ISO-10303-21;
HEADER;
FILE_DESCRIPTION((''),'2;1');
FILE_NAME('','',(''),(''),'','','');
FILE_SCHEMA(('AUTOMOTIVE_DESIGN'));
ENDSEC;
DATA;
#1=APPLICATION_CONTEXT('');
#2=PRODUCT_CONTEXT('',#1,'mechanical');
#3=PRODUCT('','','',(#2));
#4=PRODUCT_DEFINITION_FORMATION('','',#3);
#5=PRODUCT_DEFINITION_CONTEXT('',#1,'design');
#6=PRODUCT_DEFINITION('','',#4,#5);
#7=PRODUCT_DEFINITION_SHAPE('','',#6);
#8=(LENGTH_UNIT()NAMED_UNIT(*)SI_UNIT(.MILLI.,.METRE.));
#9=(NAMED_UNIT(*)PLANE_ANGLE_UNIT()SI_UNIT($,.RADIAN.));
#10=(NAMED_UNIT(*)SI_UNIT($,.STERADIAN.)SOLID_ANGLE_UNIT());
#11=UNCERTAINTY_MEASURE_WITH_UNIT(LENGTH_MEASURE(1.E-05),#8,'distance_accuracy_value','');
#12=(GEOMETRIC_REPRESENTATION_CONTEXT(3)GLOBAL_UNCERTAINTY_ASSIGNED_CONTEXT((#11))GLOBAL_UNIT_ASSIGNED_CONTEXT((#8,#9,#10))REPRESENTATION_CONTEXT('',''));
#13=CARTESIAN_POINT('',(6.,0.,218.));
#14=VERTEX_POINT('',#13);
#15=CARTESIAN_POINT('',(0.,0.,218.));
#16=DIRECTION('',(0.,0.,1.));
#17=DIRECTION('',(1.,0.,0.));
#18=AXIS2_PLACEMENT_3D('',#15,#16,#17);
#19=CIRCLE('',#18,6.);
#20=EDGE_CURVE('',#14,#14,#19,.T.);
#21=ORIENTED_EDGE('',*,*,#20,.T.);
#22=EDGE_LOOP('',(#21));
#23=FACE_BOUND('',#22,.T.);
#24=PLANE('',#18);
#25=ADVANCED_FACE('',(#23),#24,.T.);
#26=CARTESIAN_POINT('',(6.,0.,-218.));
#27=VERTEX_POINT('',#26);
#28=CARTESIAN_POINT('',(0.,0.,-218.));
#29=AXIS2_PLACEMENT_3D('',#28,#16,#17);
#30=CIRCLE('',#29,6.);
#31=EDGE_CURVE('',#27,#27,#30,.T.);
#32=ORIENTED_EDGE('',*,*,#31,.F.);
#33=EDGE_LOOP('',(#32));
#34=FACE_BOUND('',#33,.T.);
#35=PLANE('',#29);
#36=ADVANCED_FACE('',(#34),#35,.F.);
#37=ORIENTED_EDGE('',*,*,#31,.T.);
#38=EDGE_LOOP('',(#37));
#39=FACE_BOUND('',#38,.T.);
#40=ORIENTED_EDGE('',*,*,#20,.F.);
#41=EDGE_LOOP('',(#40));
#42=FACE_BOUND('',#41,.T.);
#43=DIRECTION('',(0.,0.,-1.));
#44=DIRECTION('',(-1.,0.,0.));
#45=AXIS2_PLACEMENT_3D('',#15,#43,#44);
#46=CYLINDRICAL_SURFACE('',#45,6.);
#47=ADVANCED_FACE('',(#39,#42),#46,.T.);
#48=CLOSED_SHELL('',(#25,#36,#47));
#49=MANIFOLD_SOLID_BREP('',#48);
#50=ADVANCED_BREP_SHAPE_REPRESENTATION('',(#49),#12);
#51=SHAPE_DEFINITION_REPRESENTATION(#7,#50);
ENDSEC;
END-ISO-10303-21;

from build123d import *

# Parameters (mm, degrees)
IZIM1_R                     = 6
Y_KSEKLIK_EKSTR_ZYON1_DEPTH = 218


with BuildPart() as part:
    # Çizim1 → Yükseklik-Ekstrüzyon1 (new, symmetric)
    with BuildSketch(Plane.XY):
        Circle(IZIM1_R)
    extrude(amount=Y_KSEKLIK_EKSTR_ZYON1_DEPTH, both=True)


solid = part.part
